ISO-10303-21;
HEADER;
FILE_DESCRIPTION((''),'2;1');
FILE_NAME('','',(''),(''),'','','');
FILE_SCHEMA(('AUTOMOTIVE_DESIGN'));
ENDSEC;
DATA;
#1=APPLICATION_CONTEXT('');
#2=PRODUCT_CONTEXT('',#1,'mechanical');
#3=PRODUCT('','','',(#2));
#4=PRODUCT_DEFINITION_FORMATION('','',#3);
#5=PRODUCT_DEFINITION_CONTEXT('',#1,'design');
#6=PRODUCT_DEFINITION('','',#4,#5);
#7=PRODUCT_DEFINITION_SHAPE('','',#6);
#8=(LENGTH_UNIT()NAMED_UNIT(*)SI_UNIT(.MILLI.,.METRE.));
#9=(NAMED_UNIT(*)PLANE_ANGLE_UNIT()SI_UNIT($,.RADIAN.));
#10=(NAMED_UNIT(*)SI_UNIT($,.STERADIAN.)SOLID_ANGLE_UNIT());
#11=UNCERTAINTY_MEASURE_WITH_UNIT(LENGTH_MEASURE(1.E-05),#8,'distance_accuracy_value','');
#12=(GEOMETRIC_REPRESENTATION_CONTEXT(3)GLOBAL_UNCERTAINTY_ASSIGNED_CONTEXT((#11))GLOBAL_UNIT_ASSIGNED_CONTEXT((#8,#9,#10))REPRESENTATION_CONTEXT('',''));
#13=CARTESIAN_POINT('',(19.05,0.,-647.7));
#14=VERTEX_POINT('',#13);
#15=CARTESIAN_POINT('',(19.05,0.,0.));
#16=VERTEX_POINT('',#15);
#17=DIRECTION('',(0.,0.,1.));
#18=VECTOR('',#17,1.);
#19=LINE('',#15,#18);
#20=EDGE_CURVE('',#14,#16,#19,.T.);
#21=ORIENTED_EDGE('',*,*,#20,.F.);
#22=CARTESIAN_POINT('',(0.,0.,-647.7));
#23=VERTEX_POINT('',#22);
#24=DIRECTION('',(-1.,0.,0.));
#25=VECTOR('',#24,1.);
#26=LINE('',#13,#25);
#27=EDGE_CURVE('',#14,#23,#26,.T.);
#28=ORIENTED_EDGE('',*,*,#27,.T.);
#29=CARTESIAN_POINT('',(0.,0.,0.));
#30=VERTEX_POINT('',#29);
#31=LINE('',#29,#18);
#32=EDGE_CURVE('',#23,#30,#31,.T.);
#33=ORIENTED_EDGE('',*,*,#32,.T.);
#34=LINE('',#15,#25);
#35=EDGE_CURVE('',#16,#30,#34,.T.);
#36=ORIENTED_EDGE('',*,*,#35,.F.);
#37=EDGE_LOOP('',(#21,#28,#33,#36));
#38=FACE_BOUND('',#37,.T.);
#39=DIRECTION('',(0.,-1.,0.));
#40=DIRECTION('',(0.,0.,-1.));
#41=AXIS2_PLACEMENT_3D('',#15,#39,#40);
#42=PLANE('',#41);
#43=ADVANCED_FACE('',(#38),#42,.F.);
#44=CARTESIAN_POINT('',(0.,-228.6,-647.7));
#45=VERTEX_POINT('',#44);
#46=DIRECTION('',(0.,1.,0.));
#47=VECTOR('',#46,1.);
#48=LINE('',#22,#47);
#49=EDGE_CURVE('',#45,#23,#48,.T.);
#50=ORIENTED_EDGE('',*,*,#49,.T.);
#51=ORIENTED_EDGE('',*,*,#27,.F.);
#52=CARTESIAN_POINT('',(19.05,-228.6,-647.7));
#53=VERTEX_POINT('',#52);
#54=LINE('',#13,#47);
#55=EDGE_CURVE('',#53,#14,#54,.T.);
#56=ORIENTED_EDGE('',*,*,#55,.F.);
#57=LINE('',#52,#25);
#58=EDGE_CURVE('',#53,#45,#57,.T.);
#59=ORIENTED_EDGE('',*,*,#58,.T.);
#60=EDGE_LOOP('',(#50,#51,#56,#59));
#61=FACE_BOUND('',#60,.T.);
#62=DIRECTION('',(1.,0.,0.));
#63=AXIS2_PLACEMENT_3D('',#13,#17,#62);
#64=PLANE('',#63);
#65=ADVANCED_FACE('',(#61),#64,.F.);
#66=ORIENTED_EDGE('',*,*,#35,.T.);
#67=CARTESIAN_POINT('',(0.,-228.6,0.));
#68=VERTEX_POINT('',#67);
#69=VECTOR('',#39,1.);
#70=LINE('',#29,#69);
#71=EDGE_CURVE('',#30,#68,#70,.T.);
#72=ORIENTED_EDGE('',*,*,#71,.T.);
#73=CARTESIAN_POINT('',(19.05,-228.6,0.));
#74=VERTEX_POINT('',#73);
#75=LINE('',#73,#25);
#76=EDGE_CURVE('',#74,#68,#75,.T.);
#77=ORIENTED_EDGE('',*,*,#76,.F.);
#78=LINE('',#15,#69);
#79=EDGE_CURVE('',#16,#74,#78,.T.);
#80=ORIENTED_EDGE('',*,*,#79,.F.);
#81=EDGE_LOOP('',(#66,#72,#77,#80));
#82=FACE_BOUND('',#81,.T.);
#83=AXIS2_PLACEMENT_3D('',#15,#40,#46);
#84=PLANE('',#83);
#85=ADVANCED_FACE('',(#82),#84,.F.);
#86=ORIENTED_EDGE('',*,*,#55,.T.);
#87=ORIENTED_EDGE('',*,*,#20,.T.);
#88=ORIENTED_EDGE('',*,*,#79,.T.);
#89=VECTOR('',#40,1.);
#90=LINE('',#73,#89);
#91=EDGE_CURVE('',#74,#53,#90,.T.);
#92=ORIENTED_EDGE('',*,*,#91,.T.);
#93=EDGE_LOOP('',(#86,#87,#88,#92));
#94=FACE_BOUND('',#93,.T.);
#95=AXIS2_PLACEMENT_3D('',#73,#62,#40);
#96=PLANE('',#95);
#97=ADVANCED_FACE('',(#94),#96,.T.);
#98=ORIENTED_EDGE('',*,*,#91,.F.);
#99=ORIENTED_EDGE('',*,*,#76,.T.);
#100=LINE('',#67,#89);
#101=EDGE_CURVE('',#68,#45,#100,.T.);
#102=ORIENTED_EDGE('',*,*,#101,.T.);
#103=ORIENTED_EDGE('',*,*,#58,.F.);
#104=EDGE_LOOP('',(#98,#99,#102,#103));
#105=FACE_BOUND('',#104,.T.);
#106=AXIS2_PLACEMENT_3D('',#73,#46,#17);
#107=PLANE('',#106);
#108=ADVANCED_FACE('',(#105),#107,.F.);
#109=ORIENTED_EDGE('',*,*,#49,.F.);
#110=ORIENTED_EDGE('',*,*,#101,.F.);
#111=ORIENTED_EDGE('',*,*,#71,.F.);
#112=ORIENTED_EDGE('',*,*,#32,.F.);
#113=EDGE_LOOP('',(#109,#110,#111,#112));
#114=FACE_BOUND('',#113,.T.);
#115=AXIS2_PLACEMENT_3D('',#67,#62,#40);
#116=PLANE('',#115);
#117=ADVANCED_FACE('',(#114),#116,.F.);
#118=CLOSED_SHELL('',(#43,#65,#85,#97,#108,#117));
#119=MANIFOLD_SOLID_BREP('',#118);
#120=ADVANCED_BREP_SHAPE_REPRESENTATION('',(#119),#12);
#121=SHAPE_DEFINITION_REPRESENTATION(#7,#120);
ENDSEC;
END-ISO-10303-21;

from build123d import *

# Parameters (mm, degrees)
SKETCH1_W           = 647.7
SKETCH1_H           = 228.6
BOSS_EXTRUDE1_DEPTH = 19.05


with BuildPart() as part:
    # Sketch1 → Boss-Extrude1 (new body)
    with BuildSketch(Plane(origin=(0, 0, 0), x_dir=(0, 0, -1), z_dir=(1, 0, 0))):
        with Locations((323.85, -114.3)):
            Rectangle(SKETCH1_W, SKETCH1_H)
    extrude(amount=BOSS_EXTRUDE1_DEPTH)


solid = part.part
